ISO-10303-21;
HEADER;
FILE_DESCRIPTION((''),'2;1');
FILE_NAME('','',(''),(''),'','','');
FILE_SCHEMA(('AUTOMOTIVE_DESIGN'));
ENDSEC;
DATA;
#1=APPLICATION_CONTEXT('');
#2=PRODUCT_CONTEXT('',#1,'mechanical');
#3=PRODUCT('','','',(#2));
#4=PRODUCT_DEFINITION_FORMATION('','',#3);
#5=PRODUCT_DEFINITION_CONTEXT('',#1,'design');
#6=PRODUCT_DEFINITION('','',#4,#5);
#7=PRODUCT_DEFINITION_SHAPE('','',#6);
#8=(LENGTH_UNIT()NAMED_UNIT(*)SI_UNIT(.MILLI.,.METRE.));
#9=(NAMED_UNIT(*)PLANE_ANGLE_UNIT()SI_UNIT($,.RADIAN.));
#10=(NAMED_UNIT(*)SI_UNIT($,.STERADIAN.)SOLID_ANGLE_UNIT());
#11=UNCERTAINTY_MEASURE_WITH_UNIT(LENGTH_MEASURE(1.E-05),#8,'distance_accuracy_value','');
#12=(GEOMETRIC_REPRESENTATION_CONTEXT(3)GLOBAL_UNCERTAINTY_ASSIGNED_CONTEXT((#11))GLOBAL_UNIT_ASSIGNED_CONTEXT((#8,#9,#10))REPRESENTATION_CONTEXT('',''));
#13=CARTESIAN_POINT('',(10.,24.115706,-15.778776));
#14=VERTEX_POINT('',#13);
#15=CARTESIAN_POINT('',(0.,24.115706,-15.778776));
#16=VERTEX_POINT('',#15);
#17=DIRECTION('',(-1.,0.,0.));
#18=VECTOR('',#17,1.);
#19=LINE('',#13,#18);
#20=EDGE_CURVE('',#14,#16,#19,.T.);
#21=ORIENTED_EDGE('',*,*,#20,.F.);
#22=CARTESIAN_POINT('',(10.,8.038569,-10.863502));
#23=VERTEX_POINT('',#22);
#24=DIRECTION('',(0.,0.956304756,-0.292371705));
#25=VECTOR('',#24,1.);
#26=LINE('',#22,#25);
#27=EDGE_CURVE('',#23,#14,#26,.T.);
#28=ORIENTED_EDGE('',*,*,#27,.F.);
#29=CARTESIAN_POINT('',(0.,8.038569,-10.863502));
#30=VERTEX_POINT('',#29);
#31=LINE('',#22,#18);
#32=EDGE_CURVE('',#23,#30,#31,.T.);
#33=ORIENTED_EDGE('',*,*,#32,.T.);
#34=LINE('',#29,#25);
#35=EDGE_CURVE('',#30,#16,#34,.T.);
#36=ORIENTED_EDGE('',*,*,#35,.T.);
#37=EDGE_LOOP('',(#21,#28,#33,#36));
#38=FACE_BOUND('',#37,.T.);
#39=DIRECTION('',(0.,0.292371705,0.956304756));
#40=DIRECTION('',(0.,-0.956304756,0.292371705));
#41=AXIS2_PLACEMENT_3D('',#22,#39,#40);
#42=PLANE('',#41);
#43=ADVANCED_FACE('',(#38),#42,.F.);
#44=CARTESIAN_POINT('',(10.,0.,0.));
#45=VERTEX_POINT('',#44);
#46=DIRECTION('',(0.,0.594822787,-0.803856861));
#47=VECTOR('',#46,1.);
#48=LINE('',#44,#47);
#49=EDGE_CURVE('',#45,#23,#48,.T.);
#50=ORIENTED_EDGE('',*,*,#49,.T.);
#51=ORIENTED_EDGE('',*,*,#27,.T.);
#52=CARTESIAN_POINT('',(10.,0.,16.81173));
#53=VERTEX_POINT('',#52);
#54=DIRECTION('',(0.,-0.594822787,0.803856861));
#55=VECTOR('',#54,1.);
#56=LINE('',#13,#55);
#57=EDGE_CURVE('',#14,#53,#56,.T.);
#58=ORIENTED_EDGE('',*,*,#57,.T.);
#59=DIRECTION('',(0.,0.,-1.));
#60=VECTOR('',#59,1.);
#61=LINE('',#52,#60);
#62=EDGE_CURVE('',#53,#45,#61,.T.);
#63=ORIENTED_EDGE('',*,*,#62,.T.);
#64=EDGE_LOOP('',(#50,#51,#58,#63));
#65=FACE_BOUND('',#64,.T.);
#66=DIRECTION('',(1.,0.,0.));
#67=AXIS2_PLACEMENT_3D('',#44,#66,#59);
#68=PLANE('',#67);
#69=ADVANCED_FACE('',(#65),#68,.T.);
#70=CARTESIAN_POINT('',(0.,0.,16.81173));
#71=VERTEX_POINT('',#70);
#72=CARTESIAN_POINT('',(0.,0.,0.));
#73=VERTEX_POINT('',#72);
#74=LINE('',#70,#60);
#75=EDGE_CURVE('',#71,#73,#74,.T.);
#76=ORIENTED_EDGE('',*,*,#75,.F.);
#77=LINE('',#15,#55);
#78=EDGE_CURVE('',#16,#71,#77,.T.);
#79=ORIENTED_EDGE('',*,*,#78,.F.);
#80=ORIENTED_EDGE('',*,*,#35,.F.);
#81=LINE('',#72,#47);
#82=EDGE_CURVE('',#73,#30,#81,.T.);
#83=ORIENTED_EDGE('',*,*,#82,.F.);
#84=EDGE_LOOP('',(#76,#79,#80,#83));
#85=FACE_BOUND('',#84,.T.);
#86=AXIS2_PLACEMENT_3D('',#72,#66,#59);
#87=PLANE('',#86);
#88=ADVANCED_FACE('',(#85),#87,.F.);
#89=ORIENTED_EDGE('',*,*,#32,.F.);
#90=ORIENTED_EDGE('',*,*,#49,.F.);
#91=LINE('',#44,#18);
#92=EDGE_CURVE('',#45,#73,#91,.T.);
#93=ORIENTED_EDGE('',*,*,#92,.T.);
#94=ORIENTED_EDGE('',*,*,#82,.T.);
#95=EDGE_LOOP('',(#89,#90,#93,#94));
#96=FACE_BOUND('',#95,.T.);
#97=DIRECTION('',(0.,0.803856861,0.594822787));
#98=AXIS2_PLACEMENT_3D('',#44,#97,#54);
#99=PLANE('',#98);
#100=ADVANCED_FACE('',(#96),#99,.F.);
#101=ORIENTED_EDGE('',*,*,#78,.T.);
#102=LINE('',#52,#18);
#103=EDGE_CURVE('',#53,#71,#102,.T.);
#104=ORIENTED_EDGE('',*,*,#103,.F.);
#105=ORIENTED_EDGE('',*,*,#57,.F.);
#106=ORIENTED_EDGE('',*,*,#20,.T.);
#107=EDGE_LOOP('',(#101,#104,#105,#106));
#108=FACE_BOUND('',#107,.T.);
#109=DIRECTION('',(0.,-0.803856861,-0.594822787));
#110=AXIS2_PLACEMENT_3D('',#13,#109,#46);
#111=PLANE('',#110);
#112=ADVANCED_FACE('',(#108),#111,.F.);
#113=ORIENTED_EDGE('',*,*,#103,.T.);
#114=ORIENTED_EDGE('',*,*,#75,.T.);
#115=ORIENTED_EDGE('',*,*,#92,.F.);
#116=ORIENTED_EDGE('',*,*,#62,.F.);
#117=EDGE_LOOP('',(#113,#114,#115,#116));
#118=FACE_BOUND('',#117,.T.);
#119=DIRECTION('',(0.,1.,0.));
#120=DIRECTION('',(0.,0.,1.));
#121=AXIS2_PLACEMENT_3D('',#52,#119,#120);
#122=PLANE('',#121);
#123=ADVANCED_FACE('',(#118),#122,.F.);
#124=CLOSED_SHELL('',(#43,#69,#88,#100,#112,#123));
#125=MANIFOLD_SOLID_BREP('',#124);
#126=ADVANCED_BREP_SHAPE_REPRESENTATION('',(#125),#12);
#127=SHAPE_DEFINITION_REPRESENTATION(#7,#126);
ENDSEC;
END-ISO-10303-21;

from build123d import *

# Parameters (mm, degrees)
BOSS_EXTRUDE1_DEPTH = 10


with BuildPart() as part:
    # Sketch1 → Boss-Extrude1 (new body)
    with BuildSketch(Plane(origin=(0, 0, 0), x_dir=(0, 0, -1), z_dir=(1, 0, 0))):
        Polygon((-16.811729851, 0), (0, 0), (10.863501983, 8.038568606), (15.778776099, 24.115705819), align=None)
    extrude(amount=BOSS_EXTRUDE1_DEPTH)


solid = part.part
